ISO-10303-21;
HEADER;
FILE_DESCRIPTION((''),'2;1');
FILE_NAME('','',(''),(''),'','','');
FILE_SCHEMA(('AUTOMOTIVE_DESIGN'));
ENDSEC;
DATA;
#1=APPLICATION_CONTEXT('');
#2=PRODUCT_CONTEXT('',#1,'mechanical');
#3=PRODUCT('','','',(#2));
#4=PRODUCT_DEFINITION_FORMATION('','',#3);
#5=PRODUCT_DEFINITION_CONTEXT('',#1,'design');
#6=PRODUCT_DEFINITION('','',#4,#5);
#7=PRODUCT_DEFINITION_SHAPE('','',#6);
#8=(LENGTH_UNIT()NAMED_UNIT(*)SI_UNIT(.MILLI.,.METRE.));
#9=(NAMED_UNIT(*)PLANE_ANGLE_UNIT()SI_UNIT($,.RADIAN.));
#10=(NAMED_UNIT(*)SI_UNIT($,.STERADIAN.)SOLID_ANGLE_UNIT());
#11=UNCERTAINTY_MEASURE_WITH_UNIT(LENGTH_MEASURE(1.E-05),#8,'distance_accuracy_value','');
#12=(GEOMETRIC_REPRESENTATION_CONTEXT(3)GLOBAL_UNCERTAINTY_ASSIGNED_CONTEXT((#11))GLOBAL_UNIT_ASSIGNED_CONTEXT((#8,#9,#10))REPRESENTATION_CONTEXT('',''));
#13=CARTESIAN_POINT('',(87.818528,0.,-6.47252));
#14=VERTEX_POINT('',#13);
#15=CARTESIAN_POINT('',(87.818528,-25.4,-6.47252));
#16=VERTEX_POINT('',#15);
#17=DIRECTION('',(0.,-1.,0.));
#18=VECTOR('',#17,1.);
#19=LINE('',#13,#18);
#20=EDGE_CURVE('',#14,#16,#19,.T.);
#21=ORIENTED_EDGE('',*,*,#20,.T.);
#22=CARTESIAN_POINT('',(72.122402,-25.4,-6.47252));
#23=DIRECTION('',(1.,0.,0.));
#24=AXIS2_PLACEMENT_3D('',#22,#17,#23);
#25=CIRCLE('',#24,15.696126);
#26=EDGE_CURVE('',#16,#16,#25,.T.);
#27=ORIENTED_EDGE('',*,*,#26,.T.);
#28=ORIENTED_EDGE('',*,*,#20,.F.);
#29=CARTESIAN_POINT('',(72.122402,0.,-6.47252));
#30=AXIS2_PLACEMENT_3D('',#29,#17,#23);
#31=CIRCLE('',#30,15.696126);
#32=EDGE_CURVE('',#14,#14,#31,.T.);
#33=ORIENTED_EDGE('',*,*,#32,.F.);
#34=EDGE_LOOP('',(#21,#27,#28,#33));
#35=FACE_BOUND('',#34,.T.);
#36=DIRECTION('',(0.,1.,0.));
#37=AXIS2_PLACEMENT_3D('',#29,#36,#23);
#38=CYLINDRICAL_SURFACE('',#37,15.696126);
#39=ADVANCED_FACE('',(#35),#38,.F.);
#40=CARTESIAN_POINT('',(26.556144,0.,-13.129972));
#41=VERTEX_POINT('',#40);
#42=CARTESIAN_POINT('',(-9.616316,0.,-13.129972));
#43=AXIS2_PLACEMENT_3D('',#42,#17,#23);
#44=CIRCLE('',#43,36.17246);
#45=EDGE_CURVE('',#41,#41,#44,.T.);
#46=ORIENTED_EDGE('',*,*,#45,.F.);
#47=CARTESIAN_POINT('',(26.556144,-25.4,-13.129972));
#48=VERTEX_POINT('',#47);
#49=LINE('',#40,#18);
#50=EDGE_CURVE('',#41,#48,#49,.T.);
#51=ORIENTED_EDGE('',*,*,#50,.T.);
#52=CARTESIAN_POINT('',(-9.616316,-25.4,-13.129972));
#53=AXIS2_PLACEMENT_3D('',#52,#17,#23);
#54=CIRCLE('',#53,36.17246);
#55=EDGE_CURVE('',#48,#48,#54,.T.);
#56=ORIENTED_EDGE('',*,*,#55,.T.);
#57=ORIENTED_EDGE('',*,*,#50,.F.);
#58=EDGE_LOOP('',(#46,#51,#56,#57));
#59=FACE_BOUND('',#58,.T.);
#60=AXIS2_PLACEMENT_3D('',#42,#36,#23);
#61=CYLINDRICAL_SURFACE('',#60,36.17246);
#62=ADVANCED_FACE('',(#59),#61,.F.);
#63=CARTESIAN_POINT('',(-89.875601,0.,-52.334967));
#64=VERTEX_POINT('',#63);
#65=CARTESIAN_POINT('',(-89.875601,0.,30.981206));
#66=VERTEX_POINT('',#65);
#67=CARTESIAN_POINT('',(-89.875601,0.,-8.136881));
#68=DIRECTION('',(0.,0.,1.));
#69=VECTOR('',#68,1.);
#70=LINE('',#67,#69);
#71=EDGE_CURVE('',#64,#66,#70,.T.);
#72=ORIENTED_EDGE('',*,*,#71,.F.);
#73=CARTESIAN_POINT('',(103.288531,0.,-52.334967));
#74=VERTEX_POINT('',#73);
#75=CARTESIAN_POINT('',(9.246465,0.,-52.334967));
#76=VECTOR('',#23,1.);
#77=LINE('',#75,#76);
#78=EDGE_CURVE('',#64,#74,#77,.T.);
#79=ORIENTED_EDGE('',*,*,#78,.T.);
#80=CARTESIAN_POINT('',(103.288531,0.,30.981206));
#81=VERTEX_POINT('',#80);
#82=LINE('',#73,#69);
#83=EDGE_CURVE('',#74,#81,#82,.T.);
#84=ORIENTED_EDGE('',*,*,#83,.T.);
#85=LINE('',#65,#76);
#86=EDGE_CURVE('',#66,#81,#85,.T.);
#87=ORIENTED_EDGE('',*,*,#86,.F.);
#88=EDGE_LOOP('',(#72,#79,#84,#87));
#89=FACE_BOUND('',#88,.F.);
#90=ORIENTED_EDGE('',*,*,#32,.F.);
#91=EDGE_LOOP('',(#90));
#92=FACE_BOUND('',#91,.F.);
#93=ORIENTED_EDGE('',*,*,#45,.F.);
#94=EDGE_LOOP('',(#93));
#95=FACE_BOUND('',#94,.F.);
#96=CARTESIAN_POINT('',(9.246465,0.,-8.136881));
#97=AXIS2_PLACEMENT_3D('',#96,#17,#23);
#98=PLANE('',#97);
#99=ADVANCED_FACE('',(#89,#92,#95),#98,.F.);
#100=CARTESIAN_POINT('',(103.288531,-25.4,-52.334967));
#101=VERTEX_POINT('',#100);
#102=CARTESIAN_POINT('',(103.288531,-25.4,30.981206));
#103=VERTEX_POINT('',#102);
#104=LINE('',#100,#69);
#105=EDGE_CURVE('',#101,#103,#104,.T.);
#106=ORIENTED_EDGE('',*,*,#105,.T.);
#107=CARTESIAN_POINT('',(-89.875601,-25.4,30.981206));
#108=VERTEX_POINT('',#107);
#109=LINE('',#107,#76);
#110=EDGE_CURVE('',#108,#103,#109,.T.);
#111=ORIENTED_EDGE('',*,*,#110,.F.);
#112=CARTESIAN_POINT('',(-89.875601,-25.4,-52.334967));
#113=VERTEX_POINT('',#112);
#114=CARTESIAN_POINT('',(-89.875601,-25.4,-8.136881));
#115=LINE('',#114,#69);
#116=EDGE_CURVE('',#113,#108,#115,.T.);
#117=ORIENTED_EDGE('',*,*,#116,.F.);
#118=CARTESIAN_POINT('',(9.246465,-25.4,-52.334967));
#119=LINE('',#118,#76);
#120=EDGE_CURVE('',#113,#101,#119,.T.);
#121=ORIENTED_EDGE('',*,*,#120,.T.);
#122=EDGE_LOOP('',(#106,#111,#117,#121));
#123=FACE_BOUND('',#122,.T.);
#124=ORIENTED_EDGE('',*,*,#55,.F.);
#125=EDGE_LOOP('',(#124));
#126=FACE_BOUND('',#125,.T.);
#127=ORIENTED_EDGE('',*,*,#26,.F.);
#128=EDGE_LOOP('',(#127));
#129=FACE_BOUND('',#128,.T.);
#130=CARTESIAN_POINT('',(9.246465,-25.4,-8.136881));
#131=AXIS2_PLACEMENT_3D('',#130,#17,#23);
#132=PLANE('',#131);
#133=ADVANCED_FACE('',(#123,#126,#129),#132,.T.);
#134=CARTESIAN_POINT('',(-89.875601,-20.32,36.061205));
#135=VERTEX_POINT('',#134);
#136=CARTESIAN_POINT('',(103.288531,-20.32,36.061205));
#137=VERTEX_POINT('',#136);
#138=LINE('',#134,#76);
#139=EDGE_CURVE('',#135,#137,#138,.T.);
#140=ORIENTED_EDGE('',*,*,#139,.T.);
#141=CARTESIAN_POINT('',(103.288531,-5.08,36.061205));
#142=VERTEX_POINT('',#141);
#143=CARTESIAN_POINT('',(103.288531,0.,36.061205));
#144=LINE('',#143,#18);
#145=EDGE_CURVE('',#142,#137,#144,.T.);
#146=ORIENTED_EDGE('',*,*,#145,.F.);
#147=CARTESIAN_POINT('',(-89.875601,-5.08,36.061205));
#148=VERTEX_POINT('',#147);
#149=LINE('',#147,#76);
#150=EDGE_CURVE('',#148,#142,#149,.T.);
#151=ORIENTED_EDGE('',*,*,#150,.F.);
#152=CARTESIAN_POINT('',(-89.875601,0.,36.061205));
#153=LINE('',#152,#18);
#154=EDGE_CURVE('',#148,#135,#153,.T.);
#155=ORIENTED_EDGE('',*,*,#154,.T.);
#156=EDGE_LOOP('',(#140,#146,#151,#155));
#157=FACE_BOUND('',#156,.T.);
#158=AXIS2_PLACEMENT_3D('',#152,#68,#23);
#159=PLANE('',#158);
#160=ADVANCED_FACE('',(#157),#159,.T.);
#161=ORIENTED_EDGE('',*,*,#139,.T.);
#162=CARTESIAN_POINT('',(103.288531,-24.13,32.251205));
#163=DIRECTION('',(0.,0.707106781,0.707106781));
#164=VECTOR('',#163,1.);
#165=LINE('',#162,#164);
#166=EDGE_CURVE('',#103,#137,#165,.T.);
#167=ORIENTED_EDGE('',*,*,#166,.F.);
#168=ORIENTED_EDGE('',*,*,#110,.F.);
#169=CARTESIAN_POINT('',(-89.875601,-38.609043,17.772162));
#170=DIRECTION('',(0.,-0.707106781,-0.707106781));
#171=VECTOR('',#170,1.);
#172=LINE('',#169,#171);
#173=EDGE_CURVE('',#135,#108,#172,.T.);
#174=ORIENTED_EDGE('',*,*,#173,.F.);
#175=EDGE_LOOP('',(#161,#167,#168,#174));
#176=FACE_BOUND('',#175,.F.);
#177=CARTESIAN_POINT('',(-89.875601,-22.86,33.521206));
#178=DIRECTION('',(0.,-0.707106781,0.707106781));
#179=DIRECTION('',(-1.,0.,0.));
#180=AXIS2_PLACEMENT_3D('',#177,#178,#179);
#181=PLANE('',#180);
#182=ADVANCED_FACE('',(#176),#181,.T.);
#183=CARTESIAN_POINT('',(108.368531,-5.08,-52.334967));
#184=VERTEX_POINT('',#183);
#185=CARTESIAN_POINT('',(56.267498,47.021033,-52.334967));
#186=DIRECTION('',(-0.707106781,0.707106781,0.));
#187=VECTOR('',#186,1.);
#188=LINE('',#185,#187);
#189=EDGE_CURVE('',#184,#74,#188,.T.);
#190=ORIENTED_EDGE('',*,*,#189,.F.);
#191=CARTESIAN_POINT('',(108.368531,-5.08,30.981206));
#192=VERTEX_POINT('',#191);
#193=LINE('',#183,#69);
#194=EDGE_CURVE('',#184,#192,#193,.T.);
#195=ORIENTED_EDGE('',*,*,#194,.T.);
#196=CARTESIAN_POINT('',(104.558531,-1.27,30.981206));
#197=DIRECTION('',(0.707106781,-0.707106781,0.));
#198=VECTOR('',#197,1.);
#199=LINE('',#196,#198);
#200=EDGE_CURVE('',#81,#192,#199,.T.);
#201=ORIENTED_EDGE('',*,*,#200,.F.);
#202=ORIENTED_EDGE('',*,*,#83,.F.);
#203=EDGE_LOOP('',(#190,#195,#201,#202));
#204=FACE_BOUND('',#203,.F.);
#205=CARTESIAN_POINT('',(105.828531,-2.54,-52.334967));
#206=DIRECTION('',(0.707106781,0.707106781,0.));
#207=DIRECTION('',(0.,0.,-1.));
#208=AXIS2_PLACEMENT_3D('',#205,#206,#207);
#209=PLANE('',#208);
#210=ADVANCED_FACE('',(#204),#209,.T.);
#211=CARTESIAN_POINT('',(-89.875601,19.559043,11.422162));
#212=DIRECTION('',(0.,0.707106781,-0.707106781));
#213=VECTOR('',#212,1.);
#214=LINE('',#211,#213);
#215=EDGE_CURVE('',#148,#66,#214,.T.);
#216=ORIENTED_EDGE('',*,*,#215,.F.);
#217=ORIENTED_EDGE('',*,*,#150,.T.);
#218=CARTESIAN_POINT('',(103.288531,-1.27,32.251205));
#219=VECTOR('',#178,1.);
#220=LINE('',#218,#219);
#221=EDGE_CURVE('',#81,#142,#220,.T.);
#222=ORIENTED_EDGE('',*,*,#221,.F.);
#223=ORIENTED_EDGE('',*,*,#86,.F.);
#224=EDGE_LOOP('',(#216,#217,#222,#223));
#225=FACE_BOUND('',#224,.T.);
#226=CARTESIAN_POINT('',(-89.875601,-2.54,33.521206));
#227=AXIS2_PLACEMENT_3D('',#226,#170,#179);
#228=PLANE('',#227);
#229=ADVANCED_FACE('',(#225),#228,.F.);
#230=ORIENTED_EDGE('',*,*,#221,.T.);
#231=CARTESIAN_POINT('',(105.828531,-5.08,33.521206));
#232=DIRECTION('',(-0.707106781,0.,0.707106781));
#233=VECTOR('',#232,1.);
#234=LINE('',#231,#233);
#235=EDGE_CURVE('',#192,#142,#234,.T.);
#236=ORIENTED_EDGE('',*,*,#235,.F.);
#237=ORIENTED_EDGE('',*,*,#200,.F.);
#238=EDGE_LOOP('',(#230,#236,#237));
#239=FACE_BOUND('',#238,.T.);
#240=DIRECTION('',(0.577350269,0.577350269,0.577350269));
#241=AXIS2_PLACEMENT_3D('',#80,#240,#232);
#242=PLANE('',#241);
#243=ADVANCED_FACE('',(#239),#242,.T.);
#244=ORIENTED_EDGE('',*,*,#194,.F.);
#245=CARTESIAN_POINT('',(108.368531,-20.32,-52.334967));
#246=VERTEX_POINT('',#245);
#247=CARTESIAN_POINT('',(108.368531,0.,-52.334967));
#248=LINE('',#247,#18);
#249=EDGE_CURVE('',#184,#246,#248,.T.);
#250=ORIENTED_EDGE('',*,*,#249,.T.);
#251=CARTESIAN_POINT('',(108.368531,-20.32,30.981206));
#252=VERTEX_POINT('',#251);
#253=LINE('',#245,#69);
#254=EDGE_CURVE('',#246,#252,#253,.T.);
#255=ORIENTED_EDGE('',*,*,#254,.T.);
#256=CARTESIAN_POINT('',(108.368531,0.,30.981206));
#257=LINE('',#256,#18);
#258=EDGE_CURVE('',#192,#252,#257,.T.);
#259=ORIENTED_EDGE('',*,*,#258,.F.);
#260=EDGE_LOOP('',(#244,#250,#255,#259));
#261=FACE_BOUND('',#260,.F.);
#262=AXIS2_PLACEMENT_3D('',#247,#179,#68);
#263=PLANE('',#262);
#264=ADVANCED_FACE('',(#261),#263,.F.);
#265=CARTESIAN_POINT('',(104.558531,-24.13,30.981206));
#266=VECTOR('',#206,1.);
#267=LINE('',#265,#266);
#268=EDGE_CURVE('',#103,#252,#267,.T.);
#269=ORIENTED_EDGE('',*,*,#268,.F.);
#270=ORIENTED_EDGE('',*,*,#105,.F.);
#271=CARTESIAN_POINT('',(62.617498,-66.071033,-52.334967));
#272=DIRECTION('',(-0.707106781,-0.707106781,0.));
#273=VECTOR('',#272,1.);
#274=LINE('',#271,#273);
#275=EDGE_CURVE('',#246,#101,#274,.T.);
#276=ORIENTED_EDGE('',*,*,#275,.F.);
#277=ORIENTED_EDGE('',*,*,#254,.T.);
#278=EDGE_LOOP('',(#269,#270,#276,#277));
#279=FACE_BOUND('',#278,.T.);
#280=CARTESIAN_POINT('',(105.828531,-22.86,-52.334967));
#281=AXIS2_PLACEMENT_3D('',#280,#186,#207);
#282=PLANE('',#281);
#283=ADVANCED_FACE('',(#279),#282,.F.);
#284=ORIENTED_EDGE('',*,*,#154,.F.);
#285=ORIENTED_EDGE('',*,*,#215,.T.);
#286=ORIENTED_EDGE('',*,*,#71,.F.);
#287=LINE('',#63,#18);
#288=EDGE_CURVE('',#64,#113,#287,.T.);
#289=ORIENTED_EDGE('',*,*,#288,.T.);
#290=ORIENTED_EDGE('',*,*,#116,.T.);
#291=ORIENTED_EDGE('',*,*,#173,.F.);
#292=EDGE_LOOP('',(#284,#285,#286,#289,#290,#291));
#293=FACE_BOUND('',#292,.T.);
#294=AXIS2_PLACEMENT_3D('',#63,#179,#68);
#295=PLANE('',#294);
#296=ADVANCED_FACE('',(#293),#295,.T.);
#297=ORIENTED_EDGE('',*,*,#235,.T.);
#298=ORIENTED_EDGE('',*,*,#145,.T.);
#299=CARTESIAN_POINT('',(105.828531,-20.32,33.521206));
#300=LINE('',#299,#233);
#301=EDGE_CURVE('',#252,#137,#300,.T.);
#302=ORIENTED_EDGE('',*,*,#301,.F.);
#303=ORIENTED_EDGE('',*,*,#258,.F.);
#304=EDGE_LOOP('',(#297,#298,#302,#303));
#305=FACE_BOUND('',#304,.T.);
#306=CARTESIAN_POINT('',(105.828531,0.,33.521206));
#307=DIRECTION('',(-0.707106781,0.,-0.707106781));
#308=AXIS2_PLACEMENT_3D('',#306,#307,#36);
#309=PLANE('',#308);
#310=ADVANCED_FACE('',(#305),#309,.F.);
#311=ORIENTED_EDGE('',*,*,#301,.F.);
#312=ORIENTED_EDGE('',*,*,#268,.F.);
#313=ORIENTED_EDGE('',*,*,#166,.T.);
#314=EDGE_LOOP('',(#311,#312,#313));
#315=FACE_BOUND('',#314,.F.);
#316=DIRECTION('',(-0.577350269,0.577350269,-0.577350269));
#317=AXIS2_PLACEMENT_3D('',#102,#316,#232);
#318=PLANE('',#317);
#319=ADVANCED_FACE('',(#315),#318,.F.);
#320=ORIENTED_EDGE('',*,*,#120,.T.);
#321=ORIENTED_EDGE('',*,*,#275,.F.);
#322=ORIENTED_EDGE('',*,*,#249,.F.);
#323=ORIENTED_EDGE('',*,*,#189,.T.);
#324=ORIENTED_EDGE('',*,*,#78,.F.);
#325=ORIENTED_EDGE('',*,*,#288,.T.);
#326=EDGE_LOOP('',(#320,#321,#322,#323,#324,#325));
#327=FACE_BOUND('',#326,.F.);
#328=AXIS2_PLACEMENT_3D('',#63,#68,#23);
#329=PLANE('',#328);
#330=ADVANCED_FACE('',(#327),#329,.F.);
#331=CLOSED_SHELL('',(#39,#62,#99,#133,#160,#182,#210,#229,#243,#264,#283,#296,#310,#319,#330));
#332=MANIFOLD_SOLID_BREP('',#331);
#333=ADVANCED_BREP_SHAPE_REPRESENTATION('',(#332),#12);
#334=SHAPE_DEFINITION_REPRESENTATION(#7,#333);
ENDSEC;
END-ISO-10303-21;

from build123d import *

# Parameters (mm, degrees)
F0_W     = 198.244132
F0_H     = 88.396173
F0_R     = 36.17246
F0_R_2   = 15.696126
F1_DEPTH = 25.4
F2_SIZE  = 5.08


with BuildPart() as f1:
    # F0 (on Front) → F1 (new body)
    with BuildSketch(Plane.XZ):
        with Locations((9.246465, -8.136881)):
            Rectangle(F0_W, F0_H)
        with Locations((-9.616316, -13.129972)):
            Circle(F0_R, mode=Mode.SUBTRACT)
        with Locations((72.122402, -6.47252)):
            Circle(F0_R_2, mode=Mode.SUBTRACT)
    extrude(amount=F1_DEPTH)

    # F2
    f2_edges = [f1.edges().sort_by_distance(p)[0] for p in [
        (108.368531, -12.7, 36.061205),
        (108.368531, -25.4, -8.136882),
        (9.246465, -25.4, 36.061205),
        (108.368531, 0, -8.136882),
        (9.246465, 0, 36.061205),
    ]]
    chamfer(f2_edges, length=F2_SIZE)


solid = f1.part
